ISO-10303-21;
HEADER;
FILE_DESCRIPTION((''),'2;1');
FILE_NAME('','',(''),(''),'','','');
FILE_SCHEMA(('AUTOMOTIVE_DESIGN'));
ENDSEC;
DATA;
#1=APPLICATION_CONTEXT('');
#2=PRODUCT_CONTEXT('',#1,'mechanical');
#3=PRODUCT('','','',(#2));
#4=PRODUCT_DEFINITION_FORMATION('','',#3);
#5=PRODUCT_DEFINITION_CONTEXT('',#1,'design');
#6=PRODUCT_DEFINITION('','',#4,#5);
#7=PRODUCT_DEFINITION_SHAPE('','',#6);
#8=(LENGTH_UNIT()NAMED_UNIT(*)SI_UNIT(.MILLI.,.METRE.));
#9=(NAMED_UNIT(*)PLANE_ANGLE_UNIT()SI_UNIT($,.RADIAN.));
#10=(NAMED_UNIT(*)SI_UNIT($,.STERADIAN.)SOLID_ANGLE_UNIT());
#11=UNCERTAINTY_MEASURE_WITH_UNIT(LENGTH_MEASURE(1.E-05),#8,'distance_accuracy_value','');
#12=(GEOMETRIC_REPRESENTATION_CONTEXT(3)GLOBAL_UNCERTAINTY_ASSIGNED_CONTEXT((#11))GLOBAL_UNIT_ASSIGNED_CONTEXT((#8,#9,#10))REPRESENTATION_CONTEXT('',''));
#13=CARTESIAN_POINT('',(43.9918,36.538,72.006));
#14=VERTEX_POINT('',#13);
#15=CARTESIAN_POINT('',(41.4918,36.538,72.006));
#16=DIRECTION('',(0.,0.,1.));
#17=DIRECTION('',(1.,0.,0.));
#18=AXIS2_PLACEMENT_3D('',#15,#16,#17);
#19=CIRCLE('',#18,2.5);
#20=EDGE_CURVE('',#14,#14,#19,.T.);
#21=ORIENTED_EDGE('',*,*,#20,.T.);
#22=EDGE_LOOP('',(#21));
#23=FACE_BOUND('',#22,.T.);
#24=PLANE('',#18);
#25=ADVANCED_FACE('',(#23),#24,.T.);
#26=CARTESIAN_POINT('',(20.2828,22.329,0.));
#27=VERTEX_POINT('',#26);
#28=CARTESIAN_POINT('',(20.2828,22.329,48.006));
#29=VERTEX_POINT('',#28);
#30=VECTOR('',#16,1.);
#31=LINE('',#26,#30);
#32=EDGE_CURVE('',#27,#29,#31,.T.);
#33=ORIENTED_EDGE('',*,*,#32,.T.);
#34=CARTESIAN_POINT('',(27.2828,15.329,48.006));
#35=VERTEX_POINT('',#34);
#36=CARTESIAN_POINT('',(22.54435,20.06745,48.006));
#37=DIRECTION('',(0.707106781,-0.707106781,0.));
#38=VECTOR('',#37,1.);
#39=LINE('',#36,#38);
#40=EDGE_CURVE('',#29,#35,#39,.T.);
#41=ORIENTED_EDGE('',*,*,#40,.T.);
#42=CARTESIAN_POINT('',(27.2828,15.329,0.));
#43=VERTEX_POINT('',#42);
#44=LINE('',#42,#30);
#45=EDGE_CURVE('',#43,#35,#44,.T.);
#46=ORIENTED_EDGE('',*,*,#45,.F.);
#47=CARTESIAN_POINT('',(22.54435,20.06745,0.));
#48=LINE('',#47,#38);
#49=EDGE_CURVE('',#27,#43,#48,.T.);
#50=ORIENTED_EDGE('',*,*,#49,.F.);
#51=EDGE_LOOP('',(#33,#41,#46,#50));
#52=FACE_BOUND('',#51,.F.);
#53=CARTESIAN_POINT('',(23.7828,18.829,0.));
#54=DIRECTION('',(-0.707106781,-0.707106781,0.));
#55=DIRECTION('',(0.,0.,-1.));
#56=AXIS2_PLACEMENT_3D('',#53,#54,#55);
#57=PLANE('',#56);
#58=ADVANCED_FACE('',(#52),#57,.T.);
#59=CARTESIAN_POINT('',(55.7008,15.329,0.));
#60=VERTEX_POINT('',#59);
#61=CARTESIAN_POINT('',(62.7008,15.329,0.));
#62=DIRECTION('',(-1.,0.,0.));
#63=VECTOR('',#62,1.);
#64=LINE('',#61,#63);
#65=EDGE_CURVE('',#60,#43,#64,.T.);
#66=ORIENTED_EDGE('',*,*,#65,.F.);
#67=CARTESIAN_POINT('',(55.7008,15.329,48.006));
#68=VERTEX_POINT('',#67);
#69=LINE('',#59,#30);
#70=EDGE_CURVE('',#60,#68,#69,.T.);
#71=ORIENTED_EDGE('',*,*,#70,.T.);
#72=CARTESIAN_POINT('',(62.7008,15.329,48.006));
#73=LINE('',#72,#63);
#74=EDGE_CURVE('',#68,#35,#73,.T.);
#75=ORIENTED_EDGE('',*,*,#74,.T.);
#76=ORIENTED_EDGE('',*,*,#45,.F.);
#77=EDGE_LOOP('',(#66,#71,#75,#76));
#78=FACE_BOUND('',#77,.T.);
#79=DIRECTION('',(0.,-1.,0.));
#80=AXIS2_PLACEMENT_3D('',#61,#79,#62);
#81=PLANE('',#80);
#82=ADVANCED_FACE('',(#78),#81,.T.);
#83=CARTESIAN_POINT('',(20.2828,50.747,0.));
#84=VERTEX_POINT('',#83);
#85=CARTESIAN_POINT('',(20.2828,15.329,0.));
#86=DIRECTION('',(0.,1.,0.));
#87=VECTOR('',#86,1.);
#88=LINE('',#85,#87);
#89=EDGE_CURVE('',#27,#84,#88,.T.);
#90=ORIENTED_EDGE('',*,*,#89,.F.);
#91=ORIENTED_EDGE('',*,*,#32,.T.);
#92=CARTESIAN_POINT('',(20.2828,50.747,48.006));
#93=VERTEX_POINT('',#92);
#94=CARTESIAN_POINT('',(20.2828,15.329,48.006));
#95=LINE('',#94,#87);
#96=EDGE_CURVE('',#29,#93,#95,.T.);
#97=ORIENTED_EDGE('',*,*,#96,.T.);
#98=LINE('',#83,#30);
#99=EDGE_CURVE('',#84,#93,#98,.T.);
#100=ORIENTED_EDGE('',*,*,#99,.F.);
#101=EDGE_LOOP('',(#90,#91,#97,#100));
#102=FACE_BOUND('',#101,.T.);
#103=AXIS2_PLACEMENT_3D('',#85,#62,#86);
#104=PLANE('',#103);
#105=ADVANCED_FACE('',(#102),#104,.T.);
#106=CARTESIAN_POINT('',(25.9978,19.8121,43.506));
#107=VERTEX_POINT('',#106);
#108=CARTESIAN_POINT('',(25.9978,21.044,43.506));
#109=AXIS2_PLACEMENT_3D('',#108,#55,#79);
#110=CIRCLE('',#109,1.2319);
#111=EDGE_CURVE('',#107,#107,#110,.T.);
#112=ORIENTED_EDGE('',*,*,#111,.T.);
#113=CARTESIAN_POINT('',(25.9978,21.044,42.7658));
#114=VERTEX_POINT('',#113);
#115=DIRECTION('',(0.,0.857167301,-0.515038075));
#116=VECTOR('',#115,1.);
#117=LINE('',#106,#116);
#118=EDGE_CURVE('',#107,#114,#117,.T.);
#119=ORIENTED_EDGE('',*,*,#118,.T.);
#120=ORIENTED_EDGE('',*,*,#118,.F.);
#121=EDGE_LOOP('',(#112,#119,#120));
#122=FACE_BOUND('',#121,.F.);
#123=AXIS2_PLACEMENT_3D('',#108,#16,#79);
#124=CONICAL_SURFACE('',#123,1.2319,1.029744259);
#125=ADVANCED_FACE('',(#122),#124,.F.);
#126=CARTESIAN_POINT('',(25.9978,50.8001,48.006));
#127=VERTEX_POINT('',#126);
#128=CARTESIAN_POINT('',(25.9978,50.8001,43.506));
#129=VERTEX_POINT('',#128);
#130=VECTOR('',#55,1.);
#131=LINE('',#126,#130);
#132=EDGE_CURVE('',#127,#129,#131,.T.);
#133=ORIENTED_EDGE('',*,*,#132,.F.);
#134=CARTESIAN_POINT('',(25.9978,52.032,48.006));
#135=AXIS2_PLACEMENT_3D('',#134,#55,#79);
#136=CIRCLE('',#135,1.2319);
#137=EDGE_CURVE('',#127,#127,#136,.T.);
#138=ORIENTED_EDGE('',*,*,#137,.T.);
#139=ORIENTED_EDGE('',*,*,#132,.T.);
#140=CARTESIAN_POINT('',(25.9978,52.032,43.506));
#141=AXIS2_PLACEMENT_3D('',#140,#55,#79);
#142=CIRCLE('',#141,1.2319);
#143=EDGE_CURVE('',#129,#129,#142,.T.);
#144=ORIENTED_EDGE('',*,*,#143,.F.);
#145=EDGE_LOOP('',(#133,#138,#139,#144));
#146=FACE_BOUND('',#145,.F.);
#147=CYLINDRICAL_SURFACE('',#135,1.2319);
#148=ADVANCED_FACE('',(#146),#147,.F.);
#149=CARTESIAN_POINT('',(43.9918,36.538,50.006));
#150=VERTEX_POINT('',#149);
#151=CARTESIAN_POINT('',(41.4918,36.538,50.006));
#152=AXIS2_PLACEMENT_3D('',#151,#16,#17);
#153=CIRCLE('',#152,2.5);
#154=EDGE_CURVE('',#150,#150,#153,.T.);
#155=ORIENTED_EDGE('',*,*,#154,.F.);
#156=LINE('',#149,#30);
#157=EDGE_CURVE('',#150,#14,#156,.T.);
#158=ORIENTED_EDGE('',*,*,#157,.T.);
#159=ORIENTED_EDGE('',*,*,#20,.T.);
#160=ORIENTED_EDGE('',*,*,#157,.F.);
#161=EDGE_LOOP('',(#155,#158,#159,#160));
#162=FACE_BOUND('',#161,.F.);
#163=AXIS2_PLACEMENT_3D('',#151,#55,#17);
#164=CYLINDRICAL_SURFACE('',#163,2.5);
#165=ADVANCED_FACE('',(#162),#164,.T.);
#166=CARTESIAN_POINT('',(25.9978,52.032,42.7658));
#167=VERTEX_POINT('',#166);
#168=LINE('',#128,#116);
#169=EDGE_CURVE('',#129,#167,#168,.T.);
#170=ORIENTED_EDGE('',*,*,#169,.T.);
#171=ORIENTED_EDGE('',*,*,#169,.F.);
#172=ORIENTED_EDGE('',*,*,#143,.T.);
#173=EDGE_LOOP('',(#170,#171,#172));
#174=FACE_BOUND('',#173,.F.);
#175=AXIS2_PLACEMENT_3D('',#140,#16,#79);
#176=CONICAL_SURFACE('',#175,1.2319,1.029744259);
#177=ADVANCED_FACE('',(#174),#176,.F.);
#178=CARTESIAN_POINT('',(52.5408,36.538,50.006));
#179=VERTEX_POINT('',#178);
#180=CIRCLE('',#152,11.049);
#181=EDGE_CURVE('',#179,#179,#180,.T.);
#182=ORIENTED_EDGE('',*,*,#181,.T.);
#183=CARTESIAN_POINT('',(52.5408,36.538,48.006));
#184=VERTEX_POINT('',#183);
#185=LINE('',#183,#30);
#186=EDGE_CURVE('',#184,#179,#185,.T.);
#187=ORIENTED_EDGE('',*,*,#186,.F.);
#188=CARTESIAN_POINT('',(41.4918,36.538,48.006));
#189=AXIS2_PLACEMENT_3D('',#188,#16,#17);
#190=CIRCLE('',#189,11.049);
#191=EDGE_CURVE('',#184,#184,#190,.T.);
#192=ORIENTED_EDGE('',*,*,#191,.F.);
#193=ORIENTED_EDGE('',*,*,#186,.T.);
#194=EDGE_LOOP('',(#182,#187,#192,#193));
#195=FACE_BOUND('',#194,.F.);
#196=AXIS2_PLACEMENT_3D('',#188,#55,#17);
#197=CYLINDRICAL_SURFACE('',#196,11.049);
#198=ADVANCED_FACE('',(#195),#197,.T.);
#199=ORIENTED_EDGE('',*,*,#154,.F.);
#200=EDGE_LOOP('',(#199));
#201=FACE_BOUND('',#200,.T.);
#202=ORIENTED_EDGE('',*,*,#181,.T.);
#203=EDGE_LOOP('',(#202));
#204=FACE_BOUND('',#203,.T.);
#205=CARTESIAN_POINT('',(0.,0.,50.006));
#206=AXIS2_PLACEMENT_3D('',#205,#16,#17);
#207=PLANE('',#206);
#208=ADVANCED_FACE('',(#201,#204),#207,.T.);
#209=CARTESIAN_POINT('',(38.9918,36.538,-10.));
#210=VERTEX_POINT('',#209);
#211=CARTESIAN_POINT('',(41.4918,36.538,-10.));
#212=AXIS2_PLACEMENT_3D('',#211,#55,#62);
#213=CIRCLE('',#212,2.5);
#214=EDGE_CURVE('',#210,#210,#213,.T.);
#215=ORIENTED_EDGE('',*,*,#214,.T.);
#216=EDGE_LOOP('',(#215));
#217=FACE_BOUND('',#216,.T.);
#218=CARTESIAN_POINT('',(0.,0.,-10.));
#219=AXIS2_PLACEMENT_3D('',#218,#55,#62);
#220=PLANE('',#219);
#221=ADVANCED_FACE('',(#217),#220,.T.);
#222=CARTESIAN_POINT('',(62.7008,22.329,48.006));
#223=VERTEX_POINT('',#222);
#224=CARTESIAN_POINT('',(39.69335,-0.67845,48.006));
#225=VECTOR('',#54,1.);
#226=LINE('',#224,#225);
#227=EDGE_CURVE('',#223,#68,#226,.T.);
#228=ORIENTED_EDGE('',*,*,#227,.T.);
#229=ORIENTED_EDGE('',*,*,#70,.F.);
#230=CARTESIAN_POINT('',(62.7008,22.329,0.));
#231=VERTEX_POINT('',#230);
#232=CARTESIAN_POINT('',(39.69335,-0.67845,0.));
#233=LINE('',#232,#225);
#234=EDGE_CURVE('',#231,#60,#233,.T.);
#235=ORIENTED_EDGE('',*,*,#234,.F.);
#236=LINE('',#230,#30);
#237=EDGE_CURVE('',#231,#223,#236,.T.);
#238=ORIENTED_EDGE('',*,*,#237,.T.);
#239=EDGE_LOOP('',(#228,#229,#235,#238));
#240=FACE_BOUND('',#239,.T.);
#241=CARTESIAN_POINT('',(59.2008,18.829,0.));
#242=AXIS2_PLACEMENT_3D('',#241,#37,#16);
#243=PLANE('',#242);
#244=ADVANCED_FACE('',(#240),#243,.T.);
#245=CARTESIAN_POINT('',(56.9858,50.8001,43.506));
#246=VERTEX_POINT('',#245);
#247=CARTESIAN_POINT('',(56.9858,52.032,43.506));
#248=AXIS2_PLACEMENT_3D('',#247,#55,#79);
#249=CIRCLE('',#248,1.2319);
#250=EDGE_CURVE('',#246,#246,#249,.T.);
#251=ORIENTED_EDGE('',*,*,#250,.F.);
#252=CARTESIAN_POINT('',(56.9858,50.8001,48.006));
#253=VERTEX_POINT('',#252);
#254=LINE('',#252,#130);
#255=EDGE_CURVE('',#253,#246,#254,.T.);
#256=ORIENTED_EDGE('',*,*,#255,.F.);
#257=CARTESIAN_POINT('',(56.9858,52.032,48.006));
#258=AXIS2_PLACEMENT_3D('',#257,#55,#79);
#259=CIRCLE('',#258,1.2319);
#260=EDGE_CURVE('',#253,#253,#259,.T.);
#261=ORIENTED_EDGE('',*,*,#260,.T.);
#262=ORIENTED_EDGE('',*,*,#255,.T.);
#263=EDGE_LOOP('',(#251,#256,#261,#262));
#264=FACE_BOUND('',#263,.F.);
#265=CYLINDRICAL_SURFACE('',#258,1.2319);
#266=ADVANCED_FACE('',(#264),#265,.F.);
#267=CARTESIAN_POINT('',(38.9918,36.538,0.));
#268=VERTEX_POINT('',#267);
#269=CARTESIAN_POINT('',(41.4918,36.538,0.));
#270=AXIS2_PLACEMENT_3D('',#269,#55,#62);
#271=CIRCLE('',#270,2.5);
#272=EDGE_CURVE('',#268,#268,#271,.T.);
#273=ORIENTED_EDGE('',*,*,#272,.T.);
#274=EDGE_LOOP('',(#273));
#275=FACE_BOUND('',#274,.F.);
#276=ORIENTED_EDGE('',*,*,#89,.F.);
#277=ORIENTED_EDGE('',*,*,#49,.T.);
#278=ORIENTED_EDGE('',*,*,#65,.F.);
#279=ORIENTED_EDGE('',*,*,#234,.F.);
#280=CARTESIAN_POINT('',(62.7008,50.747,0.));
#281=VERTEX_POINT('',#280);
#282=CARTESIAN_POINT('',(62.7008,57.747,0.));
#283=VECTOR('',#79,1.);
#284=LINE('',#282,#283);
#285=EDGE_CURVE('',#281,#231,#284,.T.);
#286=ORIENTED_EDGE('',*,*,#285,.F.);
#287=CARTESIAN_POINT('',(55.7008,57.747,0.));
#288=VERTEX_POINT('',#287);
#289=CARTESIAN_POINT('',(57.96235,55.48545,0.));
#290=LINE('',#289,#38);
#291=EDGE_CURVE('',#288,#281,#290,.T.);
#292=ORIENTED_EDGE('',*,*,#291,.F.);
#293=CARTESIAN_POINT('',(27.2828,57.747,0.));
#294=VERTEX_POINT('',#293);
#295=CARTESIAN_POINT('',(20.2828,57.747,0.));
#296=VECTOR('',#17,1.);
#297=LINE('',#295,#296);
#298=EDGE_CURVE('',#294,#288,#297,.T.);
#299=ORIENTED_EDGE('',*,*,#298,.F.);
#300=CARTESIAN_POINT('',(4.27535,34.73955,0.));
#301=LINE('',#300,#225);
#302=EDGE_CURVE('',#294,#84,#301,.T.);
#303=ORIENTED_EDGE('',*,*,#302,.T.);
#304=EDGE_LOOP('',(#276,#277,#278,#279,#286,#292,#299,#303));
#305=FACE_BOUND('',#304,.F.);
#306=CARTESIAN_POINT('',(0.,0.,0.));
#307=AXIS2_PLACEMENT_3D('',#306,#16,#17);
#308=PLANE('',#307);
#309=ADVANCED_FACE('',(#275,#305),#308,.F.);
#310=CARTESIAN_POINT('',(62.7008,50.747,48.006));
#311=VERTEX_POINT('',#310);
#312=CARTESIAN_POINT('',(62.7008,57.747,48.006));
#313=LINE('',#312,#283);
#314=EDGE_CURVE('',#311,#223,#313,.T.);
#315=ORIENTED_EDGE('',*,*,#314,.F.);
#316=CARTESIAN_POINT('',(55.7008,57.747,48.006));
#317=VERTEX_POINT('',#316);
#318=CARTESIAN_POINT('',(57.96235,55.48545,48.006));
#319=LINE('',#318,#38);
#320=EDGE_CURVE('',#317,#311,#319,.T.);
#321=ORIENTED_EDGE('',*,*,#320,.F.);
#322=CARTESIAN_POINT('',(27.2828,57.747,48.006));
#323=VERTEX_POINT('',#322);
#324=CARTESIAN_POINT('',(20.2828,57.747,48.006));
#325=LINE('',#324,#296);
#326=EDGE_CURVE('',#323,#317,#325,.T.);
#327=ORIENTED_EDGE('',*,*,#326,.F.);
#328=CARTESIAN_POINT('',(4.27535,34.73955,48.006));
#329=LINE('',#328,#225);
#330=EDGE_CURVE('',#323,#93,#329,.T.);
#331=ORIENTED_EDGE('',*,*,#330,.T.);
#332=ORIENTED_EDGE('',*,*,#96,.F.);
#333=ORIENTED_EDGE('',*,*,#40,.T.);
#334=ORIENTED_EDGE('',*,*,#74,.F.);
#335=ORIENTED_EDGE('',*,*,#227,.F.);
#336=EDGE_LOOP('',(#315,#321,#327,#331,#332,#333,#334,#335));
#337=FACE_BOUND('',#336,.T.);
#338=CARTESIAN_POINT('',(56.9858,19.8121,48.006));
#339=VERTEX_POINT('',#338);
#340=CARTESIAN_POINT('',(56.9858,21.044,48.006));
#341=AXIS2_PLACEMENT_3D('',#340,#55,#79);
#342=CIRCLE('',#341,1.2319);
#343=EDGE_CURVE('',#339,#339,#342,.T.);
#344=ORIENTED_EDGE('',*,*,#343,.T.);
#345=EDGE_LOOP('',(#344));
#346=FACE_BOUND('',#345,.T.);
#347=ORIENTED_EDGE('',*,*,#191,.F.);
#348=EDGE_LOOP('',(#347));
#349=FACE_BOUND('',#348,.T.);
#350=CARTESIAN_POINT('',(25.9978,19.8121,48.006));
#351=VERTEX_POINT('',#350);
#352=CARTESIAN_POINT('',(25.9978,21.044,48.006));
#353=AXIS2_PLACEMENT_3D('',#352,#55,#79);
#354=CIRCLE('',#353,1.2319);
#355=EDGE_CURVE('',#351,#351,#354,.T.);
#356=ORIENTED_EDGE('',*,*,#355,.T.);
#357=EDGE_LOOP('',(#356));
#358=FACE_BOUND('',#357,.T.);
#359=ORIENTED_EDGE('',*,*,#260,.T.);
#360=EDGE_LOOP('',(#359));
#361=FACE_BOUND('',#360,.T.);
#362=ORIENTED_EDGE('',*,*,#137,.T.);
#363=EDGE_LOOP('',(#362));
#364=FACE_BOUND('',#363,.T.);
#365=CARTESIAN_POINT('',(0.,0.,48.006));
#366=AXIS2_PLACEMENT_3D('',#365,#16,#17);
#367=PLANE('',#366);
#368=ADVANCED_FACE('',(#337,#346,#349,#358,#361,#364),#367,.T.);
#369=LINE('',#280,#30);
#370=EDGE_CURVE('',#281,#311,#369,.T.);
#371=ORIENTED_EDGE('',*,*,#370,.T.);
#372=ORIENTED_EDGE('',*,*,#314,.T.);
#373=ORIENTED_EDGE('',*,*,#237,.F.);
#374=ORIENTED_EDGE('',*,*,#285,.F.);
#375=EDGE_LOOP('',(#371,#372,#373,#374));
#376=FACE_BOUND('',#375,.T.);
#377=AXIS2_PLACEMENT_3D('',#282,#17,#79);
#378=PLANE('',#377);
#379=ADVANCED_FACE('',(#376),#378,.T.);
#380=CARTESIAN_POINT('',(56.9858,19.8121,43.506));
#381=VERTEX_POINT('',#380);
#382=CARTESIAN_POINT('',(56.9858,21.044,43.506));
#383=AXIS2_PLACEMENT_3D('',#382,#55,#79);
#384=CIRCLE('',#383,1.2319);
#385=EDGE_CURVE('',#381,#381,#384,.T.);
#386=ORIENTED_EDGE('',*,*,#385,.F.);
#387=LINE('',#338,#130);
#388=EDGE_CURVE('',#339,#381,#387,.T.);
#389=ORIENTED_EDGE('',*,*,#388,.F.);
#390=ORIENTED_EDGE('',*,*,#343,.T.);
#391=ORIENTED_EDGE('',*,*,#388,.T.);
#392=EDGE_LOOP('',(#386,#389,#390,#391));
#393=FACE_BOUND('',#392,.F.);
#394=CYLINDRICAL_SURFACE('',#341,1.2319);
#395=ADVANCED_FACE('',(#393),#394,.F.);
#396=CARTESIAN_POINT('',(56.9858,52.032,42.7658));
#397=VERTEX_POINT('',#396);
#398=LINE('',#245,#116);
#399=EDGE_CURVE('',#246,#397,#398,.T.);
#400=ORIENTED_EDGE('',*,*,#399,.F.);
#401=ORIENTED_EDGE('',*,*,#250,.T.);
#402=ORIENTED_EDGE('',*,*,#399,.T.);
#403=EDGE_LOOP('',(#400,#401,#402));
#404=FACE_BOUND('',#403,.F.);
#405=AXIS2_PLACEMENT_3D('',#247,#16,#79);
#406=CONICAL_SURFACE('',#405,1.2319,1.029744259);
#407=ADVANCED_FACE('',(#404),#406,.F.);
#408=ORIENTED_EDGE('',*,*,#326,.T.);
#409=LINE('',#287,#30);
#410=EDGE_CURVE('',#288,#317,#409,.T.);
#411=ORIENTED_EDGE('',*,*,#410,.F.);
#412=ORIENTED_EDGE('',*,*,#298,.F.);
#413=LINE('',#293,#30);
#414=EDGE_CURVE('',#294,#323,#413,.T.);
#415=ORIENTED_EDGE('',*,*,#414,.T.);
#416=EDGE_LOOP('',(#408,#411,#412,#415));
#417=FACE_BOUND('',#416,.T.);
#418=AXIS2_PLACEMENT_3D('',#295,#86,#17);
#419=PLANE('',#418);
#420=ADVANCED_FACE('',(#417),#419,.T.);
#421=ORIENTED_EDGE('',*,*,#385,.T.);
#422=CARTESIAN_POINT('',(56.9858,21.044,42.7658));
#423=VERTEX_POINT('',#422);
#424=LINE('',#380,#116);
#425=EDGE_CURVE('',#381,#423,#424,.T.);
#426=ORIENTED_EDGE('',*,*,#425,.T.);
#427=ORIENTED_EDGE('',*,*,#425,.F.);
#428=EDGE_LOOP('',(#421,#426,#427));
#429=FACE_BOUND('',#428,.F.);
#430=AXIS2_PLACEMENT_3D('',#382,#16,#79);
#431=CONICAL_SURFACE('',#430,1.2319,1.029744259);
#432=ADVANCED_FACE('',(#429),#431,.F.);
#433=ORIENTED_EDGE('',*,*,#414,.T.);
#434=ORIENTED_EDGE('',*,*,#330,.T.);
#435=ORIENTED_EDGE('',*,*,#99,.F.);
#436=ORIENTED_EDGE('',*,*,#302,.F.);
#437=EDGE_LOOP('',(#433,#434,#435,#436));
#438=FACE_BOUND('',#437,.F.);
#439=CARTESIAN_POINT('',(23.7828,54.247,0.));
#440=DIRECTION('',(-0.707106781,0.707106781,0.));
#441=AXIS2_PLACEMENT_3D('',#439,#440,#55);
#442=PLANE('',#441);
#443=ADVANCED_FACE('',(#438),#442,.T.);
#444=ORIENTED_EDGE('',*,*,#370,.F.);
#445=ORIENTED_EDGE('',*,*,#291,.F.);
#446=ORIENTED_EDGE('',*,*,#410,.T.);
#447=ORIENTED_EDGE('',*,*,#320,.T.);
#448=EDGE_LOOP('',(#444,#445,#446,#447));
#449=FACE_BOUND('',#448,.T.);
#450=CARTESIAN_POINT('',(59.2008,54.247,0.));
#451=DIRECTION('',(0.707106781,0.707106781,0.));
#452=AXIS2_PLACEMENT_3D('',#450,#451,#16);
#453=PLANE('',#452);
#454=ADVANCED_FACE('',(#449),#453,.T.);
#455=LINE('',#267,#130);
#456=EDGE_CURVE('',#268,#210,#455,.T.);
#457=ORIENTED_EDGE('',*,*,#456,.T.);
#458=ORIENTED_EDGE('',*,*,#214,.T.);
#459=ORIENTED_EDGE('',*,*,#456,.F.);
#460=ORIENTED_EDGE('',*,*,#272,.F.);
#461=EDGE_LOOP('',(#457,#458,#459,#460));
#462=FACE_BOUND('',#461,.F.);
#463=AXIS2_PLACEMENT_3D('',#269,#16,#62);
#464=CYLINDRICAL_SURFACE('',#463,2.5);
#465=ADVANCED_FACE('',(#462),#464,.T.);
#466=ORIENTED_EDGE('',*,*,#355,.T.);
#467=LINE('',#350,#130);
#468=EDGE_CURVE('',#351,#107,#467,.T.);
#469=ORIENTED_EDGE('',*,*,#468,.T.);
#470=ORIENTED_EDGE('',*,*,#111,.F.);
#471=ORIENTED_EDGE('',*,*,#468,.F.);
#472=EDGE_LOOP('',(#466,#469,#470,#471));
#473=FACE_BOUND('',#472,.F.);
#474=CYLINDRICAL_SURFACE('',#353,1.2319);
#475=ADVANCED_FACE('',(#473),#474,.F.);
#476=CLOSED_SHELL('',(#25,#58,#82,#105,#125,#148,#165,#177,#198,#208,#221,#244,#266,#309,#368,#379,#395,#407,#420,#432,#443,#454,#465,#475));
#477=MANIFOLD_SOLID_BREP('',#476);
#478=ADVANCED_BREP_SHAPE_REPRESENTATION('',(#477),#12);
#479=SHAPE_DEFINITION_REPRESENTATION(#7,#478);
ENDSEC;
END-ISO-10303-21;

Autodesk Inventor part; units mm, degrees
ref_plane "YZ Plane" through (0, 0, 0) normal (1, 0, 0) x (0, 1, 0)
ref_plane "XZ Plane" through (0, 0, 0) normal (0, 1, 0) x (-1, 0, 0)
ref_plane "XY Plane" through (0, 0, 0) normal (0, 0, 1) x (1, 0, 0)
sketch "Sketch1" plane through (0, 0, 0) normal (0, 0, 1) x (1, 0, 0)
  line L0 (20.2828, 57.747) -> (62.7008, 57.747)
  line L1 (62.7008, 57.747) -> (62.7008, 15.329)
  line L2 (62.7008, 15.329) -> (20.2828, 15.329)
  line L3 (20.2828, 15.329) -> (20.2828, 57.747)
  dimension "d0" = 42.418
  dimension "d1" = 42.418
extrude "Extrusion1" add sketch "Sketch1" along normal blind 48.006
sketch "Sketch2" plane through (0, 0, 48.006) normal (0, 0, 1) x (1, 0, 0)
  line L0 (20.2828, 57.747) -> (62.7008, 57.747) projected
  line L1 (20.2828, 15.329) -> (20.2828, 57.747) projected
  circle A0 centre (25.9978, 52.032) radius 1.5
  dimension "d4" = 3
  dimension "d5" = 5.715
  dimension "d6" = 5.715
hole "Hole1" at (25.9978, 52.032, 48.006) direction (0, 0, -1) diameter 2.4638 depth 4.5 tip angle 118
pattern_linear "Rectangular Pattern1" count 2 spacing 30.988 along (1, 0, 0) count 2 spacing 30.988 along (0, -1, 0) of "Hole1"
sketch "Sketch3" plane through (0, 0, 48.006) normal (0, 0, 1) x (1, 0, 0)
  circle A0 centre (41.4918, 36.538) radius 11.049
  dimension "d20" = 22.098
extrude "Extrusion2" add sketch "Sketch3" along normal blind 2
sketch "Sketch4" plane through (41.4918, 36.538, 50.006) normal (0, 0, 1) x (1, 0, 0)
  circle A0 centre (0, 0) radius 11.049 projected
  circle A1 centre (0, 0) radius 2.5
  dimension "d23" = 5
extrude "Extrusion3" add sketch "Sketch4" along normal blind 22 contours A1
chamfer "Chamfer1" distance 7 angle 45 4 edges at (62.7008, 57.747, 24.003) (20.2828, 57.747, 24.003) (20.2828, 15.329, 24.003) (62.7008, 15.329, 24.003)
sketch "Sketch5" plane through (0, 0, 0) normal (0, 0, -1) x (-1, 0, 0)
  line L0 (-27.2828, 57.747) -> (-55.7008, 57.747) projected
  line L1 (-62.7008, 50.747) -> (-62.7008, 22.329) projected
  circle A0 centre (-41.4918, 36.538) radius 2.5
  dimension "d29" = 5
  dimension "d30" = 21.209
  dimension "d31" = 21.209
extrude "Extrusion4" add sketch "Sketch5" along normal blind 10
properties part number "SM-E01" material "Aluminum-6061"
